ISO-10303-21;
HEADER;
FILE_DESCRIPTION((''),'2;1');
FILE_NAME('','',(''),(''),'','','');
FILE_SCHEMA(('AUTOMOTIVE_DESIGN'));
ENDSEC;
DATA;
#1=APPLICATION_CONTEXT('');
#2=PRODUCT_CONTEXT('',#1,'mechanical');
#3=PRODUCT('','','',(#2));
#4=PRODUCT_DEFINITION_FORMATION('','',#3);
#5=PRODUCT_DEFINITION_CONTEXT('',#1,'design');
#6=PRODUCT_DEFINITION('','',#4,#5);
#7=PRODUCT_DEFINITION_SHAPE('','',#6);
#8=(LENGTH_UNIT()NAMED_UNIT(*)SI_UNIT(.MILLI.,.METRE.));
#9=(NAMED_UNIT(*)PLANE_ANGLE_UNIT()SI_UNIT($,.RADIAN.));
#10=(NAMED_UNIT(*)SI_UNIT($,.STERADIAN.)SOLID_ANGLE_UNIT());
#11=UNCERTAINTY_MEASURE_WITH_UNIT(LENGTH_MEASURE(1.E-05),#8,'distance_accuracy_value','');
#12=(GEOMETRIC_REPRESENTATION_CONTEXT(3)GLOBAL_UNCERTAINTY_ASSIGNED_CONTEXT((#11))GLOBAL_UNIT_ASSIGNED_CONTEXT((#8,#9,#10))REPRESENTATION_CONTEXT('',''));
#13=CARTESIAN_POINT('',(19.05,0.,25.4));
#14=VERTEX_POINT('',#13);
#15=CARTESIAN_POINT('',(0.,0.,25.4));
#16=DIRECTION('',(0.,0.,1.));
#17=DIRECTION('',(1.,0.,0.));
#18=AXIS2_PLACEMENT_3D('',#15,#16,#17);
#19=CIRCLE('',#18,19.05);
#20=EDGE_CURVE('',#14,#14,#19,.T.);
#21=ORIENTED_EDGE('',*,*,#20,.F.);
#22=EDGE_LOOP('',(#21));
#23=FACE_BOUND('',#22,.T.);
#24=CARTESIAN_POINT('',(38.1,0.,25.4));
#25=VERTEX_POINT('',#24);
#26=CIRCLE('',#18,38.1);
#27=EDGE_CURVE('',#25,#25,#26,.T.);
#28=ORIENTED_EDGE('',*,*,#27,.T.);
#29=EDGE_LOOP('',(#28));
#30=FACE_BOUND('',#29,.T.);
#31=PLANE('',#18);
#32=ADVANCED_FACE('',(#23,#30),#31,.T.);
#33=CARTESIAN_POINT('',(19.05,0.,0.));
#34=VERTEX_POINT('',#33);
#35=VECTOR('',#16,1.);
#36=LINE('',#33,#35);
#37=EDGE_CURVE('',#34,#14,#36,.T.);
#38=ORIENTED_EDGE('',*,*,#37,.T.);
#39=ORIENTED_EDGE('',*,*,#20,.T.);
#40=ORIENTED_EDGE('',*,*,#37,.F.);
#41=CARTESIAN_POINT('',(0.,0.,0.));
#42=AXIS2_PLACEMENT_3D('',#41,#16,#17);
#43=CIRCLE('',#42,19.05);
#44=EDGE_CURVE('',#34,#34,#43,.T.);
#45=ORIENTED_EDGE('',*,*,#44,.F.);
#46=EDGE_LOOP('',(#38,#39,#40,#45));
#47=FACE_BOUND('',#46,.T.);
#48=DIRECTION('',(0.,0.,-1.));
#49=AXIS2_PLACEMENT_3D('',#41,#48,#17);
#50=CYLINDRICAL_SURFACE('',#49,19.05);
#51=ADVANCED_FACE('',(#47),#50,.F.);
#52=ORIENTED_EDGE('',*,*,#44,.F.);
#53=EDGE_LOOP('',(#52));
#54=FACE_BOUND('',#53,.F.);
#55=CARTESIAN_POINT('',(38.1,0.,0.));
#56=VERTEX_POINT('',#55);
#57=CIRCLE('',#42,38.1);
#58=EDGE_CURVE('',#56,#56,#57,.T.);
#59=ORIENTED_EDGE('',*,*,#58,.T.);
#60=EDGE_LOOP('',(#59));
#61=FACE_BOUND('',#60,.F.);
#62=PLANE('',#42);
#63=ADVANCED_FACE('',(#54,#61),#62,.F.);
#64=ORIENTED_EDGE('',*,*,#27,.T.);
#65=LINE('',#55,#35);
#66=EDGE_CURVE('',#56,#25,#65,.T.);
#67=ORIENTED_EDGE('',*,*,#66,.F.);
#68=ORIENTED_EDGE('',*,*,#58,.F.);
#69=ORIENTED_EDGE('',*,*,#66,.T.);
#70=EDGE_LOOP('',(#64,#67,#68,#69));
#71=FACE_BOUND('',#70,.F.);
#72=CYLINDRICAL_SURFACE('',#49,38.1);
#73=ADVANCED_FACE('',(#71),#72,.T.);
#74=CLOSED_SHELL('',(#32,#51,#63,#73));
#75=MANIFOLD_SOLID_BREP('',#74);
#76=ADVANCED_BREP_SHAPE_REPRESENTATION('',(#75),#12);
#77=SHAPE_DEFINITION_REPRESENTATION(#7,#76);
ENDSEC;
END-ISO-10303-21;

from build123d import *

# Parameters (mm, degrees)
F0_R     = 38.1
F0_R_2   = 31.75
F0_R_3   = 25.4
F0_R_4   = 19.05
F1_DEPTH = 25.4


with BuildPart() as f1:
    # F0 (on Top) → F1 (new body)
    with BuildSketch(Plane.XY):
        Circle(F0_R)
        Circle(F0_R_2, mode=Mode.SUBTRACT)
        Circle(F0_R_2)
        Circle(F0_R_3, mode=Mode.SUBTRACT)
        Circle(F0_R_3)
        Circle(F0_R_4, mode=Mode.SUBTRACT)
    extrude(amount=F1_DEPTH)


solid = f1.part
